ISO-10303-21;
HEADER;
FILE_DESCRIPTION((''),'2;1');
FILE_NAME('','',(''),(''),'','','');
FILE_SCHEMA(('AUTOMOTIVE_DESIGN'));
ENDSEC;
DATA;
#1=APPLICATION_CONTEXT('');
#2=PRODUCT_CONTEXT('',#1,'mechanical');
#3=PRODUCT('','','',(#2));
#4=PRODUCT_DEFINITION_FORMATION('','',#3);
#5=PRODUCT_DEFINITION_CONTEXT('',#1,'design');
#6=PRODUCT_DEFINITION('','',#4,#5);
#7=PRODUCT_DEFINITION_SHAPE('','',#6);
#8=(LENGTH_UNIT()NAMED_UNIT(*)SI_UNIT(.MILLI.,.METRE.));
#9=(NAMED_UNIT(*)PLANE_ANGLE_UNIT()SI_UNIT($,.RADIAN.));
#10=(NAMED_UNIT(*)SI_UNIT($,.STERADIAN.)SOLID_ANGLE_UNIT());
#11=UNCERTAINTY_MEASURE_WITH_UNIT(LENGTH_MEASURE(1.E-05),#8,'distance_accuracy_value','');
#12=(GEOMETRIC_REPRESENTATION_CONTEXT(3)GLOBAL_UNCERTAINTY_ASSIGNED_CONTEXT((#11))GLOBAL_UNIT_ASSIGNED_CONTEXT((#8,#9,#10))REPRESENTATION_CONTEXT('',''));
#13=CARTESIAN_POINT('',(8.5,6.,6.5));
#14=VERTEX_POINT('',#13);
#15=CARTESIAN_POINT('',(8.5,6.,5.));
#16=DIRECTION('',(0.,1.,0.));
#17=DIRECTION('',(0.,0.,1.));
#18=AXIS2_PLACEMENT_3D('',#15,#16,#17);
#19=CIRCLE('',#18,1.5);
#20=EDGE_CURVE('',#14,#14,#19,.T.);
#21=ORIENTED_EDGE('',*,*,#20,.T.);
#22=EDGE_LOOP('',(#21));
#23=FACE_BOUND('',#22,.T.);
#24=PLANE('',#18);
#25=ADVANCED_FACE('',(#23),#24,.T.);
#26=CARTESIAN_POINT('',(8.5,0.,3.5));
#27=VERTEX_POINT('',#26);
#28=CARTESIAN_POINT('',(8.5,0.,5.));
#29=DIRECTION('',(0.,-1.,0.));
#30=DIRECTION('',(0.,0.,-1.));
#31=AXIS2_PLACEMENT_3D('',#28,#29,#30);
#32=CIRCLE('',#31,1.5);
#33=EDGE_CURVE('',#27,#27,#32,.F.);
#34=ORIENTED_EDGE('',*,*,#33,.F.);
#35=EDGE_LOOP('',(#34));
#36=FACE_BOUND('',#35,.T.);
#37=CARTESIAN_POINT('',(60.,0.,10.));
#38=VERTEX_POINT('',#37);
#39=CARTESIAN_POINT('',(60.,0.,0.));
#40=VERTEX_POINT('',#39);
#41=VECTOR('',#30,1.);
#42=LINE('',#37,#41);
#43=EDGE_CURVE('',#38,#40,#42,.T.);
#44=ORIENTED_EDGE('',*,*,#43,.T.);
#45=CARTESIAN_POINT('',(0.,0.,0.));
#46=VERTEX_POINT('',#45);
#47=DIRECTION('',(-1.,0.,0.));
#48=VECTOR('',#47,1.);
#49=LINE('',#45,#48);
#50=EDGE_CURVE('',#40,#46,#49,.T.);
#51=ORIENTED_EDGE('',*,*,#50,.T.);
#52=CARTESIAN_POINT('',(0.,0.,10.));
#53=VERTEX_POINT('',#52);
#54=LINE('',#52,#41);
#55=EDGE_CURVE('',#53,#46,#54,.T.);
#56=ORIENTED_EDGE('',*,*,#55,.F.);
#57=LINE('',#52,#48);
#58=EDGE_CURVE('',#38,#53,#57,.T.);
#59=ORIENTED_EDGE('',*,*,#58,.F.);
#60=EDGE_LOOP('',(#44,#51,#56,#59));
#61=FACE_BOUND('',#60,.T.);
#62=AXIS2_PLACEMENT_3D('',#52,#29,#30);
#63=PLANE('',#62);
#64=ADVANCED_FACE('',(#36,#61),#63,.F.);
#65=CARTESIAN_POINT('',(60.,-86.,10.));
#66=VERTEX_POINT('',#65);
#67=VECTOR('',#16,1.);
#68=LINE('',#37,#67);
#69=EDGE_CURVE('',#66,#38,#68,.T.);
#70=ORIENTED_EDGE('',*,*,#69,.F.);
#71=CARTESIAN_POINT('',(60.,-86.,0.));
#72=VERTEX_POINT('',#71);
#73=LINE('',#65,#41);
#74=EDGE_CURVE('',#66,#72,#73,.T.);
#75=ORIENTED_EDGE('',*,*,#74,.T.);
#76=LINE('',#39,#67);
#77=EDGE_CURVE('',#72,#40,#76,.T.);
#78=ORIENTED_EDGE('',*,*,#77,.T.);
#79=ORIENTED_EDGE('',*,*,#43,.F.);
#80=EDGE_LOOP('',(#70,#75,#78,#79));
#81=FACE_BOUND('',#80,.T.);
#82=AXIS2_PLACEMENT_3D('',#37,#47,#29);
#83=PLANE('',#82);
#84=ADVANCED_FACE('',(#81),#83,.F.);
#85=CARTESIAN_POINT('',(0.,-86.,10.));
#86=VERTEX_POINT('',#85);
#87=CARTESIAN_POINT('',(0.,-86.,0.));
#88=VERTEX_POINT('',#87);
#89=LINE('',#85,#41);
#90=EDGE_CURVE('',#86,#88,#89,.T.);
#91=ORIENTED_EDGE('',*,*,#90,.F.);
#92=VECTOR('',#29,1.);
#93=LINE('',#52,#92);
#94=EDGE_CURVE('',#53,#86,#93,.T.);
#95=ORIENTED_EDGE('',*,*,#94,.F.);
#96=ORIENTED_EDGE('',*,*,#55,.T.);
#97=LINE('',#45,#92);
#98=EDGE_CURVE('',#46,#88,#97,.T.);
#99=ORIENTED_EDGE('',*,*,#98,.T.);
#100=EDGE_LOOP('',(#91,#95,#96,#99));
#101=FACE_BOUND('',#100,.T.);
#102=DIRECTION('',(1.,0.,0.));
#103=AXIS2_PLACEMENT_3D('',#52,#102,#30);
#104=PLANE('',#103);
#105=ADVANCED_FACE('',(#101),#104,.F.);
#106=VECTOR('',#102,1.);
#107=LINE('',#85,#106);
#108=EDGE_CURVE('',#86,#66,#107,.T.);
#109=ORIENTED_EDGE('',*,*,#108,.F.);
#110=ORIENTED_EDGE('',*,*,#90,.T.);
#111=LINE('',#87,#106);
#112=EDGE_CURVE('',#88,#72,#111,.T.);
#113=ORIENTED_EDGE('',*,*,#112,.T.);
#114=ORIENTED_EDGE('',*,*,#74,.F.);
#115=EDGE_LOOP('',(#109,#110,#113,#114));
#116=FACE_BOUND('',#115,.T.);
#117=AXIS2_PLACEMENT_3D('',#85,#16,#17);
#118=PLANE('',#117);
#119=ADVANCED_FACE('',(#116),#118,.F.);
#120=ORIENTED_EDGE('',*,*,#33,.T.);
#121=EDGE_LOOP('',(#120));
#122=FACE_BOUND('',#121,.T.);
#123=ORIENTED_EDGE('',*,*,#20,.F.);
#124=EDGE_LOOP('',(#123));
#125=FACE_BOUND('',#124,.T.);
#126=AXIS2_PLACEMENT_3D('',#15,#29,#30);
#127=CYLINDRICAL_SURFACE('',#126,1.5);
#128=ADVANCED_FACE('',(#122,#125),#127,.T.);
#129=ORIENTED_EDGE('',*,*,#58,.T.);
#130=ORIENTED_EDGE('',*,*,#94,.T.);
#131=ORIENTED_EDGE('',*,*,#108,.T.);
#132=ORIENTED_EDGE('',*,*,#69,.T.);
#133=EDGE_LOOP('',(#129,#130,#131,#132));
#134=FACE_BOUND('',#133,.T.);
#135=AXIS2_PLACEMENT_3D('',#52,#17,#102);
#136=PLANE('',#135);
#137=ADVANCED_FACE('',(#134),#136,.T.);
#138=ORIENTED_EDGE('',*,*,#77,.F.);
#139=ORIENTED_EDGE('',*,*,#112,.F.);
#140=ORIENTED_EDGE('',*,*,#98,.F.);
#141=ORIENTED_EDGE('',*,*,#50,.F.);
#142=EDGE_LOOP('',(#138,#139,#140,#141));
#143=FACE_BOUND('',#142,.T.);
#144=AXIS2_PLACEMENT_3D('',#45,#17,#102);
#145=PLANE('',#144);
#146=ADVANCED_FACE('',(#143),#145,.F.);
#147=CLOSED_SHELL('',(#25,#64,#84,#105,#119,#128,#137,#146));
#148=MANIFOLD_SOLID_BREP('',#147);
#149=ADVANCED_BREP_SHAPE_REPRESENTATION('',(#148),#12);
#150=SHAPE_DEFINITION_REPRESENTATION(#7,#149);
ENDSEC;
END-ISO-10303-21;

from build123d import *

# Parameters (mm, degrees)
SKETCH1_W           = 60
SKETCH1_H           = 86
BOSS_EXTRUDE1_DEPTH = 10
SKETCH2_R           = 1.5
BOSS_EXTRUDE2_DEPTH = 6


with BuildPart() as part:
    # Sketch1 → Boss-Extrude1 (new body)
    with BuildSketch(Plane.XY):
        with Locations((30, -43)):
            Rectangle(SKETCH1_W, SKETCH1_H)
    extrude(amount=BOSS_EXTRUDE1_DEPTH)

    # Sketch2 → Boss-Extrude2 (add)
    with BuildSketch(Plane(origin=(0, 0, 0), x_dir=(1, 0, 0), z_dir=(0, 1, 0))):
        with Locations(Location((8.5, -5, 0), (0, 0, 90))):
            Circle(SKETCH2_R)
    extrude(amount=BOSS_EXTRUDE2_DEPTH)


solid = part.part
